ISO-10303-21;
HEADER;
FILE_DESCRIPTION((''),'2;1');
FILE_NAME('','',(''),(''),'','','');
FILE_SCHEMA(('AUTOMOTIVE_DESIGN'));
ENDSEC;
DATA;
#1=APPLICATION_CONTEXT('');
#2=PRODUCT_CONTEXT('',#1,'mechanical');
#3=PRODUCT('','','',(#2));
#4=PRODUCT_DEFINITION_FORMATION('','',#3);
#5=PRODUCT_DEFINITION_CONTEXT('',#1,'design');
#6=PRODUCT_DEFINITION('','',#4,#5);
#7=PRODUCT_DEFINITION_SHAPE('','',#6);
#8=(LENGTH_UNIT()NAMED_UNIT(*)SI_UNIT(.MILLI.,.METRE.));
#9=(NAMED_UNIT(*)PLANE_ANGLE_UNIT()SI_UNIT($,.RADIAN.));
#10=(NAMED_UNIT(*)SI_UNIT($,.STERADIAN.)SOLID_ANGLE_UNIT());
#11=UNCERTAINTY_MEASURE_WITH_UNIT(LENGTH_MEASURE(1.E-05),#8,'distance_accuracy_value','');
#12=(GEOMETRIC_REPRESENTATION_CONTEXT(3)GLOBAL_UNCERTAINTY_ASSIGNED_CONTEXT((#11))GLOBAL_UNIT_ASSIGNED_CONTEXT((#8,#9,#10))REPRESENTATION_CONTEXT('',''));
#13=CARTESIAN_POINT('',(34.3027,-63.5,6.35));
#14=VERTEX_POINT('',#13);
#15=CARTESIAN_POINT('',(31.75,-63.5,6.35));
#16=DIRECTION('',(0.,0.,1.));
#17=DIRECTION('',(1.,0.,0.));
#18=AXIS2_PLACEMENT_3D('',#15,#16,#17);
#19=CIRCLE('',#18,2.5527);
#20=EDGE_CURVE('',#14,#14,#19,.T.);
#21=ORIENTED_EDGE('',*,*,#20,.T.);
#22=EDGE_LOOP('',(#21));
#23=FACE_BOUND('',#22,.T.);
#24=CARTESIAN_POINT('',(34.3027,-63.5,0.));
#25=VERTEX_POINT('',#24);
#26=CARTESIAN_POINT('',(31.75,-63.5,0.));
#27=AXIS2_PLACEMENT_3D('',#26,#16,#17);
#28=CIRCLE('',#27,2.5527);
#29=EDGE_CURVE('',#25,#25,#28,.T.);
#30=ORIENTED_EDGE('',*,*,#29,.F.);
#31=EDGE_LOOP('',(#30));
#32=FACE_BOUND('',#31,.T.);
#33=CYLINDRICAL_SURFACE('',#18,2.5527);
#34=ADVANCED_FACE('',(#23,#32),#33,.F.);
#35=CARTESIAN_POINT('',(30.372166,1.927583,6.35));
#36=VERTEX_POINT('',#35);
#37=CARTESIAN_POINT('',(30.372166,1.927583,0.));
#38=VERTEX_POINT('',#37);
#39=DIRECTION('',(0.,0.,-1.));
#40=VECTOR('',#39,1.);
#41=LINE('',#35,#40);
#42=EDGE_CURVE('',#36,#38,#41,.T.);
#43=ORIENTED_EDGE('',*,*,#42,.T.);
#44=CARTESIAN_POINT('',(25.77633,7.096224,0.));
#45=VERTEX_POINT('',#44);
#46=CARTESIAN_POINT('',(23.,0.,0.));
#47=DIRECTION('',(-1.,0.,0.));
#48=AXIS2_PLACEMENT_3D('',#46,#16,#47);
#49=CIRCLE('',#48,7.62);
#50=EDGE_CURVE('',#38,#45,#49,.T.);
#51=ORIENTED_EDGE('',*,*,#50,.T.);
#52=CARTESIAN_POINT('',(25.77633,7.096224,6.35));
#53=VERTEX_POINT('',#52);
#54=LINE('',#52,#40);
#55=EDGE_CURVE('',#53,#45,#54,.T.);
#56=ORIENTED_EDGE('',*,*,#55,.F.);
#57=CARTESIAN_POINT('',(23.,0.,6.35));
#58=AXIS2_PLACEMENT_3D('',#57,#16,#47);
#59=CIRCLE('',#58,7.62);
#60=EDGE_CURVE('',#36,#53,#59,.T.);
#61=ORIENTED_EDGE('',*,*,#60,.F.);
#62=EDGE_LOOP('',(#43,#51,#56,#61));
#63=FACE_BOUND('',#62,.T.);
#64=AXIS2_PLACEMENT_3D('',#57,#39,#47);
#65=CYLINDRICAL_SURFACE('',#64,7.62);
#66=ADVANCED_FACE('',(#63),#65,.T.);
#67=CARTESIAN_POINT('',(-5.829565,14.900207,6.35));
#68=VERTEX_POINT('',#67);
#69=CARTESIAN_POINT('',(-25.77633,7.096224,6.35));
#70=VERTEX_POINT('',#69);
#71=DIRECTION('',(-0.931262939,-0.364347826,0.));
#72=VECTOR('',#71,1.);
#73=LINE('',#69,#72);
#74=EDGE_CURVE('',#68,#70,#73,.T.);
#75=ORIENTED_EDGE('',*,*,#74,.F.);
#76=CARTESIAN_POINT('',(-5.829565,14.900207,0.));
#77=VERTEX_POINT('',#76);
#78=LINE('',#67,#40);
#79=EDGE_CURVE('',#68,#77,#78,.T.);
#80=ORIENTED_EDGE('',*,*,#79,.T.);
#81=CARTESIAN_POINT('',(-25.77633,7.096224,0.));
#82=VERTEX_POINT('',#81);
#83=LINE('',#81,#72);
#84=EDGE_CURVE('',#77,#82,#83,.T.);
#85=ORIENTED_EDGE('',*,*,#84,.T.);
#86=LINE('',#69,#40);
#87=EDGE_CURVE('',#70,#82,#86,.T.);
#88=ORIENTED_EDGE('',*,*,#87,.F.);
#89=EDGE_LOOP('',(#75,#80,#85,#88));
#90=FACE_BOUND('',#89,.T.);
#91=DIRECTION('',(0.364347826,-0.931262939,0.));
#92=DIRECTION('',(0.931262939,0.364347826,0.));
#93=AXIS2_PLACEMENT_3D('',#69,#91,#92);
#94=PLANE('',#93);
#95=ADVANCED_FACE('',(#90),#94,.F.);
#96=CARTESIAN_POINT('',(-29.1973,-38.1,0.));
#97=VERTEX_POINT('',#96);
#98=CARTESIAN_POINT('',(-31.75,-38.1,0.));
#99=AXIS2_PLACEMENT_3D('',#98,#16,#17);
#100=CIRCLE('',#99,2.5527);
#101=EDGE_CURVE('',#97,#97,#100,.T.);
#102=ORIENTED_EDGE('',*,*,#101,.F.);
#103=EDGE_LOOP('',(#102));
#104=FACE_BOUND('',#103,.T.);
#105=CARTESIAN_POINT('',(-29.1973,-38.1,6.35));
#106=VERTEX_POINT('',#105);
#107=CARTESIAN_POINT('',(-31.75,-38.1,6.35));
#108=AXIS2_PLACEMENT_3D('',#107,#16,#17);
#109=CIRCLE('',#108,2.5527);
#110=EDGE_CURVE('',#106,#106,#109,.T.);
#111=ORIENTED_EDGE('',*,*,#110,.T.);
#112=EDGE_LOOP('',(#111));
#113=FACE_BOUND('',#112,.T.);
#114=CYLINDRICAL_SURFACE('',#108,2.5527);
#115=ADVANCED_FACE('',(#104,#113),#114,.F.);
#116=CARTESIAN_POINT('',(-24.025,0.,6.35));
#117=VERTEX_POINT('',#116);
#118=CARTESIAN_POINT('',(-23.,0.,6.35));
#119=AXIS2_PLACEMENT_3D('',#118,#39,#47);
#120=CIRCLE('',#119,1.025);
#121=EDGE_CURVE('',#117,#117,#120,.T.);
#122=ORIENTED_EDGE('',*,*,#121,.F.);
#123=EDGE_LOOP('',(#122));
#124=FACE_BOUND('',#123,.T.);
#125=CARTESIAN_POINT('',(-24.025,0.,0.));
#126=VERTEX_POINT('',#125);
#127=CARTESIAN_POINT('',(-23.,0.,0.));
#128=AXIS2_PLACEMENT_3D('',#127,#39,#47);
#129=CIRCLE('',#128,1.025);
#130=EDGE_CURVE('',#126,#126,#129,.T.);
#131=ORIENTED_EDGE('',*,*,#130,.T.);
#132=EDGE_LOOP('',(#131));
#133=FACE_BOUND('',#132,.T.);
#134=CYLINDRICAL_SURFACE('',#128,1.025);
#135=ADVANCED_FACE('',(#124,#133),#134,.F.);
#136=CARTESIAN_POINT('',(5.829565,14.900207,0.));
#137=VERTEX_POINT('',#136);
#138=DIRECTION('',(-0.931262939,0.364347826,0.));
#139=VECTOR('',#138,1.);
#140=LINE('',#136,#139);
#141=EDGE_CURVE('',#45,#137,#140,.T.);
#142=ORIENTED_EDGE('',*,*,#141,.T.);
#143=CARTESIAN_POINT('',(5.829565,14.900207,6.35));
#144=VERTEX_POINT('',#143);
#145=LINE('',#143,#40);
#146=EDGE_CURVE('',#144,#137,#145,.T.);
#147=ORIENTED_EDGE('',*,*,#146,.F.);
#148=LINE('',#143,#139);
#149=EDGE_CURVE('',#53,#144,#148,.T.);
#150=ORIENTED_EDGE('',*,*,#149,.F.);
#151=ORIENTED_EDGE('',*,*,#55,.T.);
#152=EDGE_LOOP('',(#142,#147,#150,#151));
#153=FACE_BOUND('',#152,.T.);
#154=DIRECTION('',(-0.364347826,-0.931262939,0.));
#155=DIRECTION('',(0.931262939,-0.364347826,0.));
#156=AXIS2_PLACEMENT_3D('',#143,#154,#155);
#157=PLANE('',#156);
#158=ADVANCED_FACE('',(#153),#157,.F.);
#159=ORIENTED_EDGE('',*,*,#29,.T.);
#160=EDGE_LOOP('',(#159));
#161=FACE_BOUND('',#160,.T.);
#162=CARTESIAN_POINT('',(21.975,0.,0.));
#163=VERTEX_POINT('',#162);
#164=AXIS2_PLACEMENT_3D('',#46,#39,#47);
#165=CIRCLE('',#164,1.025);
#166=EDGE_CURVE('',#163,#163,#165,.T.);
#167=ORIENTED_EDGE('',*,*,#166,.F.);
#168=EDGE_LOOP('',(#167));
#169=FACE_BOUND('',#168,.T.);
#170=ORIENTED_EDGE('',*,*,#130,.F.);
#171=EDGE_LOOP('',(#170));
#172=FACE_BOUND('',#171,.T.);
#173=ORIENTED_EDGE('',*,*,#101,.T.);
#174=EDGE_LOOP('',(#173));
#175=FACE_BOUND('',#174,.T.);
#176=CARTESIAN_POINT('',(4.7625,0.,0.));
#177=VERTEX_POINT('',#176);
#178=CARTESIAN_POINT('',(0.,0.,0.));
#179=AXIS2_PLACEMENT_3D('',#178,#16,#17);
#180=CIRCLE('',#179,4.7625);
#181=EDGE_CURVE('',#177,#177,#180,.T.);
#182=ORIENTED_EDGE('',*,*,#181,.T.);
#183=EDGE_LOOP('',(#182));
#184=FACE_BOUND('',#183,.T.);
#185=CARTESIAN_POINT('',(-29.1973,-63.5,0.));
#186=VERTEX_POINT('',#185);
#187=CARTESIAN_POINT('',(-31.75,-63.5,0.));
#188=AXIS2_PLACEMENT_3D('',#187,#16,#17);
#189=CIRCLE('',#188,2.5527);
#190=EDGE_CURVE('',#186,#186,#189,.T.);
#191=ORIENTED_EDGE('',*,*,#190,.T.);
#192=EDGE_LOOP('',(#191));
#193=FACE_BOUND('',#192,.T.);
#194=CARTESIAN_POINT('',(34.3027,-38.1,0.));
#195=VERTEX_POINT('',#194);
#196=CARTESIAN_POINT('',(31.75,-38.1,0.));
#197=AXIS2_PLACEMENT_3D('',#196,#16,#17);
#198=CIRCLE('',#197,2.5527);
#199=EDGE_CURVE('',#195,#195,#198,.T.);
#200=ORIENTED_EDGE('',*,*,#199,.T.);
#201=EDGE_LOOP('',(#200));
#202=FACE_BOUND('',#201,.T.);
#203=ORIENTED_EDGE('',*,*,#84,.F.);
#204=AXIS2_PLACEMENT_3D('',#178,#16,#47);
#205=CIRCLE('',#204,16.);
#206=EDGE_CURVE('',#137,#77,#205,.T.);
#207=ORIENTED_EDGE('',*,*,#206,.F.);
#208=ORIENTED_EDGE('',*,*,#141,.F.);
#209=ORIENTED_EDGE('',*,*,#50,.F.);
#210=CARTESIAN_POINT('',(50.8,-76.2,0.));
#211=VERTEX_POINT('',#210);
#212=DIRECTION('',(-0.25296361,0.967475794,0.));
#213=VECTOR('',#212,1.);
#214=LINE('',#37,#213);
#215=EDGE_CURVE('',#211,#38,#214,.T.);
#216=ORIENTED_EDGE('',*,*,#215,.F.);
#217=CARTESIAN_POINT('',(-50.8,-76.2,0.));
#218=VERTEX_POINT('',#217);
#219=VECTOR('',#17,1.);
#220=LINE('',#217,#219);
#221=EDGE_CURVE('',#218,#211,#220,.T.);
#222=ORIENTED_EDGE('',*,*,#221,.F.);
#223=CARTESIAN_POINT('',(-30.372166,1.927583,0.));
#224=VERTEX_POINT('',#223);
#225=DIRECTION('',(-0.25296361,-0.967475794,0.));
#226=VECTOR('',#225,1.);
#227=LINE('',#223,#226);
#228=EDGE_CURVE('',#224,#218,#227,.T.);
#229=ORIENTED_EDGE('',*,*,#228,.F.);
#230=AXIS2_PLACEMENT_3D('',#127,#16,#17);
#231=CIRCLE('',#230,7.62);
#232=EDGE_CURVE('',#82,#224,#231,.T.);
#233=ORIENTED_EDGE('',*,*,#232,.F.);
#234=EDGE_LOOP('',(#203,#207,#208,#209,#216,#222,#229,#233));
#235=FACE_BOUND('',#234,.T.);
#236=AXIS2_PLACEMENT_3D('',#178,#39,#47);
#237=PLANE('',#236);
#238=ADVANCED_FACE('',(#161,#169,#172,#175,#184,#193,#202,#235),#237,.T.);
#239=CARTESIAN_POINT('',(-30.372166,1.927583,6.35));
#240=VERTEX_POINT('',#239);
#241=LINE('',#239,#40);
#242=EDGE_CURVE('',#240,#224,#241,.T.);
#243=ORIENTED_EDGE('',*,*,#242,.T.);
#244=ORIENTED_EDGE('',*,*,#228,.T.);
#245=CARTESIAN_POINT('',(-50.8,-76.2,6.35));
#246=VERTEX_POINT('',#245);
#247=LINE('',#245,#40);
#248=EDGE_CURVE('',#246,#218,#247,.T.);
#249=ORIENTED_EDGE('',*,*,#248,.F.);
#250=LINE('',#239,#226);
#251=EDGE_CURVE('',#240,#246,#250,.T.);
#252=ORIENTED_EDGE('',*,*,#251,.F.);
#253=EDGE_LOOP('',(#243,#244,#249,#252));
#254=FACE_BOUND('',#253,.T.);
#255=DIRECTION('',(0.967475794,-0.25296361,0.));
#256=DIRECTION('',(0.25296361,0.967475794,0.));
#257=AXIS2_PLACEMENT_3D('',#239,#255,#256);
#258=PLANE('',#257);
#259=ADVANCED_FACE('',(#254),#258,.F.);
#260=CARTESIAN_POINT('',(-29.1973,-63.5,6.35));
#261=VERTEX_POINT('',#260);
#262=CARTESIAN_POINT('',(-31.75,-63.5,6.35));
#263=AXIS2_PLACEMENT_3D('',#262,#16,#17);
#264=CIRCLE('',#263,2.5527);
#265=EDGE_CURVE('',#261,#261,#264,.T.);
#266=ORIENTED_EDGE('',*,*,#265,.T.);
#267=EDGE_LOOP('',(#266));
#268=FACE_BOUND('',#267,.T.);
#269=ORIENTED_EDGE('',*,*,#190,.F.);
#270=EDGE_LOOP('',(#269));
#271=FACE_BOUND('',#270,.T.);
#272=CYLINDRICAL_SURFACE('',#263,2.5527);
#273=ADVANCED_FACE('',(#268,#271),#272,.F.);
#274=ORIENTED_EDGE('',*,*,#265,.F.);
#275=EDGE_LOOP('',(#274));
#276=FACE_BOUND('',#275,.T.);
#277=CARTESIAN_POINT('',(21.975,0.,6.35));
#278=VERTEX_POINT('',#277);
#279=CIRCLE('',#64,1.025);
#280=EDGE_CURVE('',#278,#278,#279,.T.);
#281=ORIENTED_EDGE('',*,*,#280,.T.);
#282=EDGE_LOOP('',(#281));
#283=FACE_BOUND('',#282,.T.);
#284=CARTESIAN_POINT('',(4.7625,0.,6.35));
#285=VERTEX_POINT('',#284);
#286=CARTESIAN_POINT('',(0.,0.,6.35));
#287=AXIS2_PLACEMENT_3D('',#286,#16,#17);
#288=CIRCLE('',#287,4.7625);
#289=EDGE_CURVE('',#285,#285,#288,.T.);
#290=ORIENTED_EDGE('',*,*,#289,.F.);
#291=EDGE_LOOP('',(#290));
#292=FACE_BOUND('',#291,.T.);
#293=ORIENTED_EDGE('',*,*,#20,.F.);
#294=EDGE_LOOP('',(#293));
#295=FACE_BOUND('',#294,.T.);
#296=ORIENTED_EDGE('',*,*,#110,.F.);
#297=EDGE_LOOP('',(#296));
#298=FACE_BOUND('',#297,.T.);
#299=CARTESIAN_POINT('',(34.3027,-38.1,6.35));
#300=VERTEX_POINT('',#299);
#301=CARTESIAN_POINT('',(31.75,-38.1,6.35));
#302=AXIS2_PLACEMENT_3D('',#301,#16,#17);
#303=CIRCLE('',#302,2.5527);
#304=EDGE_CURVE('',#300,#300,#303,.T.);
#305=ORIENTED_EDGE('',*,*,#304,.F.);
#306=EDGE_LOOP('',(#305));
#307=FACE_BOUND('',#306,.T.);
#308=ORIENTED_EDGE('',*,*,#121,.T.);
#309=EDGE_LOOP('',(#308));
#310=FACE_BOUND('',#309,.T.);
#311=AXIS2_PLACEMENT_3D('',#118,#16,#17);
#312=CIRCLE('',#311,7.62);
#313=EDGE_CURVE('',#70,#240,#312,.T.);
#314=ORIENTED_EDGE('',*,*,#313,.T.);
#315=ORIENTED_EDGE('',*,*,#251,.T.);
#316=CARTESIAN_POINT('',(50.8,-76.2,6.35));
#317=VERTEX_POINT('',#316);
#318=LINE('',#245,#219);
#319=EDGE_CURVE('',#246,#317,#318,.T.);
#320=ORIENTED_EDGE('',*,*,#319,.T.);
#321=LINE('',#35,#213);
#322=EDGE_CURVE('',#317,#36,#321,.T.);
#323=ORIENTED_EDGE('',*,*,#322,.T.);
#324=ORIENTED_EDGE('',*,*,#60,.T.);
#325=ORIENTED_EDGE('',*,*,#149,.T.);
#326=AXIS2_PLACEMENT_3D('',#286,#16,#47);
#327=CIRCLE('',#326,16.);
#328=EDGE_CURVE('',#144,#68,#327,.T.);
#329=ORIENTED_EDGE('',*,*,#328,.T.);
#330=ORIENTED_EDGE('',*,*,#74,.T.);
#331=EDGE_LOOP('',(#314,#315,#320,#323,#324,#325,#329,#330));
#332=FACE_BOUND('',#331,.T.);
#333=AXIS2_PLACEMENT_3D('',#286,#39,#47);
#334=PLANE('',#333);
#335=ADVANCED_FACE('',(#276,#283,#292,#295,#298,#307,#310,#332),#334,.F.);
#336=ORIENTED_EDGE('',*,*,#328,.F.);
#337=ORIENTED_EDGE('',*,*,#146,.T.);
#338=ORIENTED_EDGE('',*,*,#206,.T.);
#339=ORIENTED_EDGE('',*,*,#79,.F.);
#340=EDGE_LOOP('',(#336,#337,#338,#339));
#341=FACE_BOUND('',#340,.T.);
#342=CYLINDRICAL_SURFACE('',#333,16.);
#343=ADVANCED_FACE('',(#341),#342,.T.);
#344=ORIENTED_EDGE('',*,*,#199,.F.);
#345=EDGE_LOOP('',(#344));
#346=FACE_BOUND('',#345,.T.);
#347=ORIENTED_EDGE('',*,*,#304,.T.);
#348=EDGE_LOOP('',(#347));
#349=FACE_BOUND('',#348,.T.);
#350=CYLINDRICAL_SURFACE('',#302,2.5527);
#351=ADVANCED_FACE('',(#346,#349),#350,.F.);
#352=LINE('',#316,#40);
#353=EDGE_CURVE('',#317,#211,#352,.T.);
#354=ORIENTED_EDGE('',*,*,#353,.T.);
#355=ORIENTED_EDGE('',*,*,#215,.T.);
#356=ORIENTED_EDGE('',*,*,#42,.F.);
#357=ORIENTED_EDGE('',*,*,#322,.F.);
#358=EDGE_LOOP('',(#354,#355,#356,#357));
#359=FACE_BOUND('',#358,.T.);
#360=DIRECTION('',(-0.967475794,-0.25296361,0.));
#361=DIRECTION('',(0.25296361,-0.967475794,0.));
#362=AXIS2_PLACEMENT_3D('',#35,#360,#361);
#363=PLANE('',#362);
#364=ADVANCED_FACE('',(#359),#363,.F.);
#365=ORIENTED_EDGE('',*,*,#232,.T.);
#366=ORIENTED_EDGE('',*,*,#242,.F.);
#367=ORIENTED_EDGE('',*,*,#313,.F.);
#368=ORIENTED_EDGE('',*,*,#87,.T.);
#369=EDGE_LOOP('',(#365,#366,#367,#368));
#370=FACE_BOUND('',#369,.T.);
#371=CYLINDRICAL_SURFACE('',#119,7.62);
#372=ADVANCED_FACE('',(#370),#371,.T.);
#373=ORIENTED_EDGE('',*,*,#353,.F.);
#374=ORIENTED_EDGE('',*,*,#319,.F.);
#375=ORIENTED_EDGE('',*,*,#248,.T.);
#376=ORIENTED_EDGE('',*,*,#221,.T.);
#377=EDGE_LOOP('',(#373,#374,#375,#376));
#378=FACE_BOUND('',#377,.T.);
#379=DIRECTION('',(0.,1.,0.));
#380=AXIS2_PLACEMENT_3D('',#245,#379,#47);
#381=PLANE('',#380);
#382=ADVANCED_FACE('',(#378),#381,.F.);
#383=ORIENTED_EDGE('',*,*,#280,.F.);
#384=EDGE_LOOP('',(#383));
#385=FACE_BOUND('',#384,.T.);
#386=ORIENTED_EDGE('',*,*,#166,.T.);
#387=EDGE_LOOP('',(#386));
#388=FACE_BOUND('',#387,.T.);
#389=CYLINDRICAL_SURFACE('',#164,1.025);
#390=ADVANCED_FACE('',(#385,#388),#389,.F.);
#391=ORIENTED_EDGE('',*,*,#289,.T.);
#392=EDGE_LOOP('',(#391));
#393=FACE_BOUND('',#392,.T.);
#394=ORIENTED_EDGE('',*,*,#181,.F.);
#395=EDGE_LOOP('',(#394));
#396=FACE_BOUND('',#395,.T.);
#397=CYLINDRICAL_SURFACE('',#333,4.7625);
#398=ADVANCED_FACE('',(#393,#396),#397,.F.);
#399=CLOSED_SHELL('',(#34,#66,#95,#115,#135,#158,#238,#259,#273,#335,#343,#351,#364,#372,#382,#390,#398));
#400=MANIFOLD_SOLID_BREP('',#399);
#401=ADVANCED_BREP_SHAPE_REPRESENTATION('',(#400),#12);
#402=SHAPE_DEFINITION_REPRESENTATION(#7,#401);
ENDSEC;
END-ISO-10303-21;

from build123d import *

# Parameters (mm, degrees)
SKETCH1_R                = 4.7625
SKETCH1_R_2              = 1.5875
BOSS_EXTRUDE1_DEPTH      = 6.35
M2_5X0_45_TAPPED_HOLE1_D = 2.05
F_1_4_20_TAPPED_HOLE1_D  = 5.1054


with BuildPart() as part:
    # Sketch1 → Boss-Extrude1 (new body)
    with BuildSketch(Plane.XY):
        with BuildLine():
            Line((-25.776330412, 7.096223594), (-5.829565224, 14.900207022))
            ThreePointArc((-5.829565224, 14.900207022), (0, 16), (5.829565224, 14.900207022))
            Line((5.829565224, 14.900207022), (25.776330412, 7.096223594))
            ThreePointArc((25.776330412, 7.096223594), (28.694445061, 5.063367965), (30.372165524, 1.92758271))
            Line((30.372165524, 1.92758271), (50.8, -76.2))
            Line((50.8, -76.2), (-50.8, -76.2))
            Line((-50.8, -76.2), (-30.372165524, 1.92758271))
            ThreePointArc((-30.372165524, 1.92758271), (-28.694445061, 5.063367965), (-25.776330412, 7.096223594))
        make_face()
        Circle(SKETCH1_R, mode=Mode.SUBTRACT)
        with Locations((-31.75, -38.1)):
            Circle(SKETCH1_R_2, mode=Mode.SUBTRACT)
        with Locations((31.75, -38.1)):
            Circle(SKETCH1_R_2, mode=Mode.SUBTRACT)
        with Locations((-31.75, -63.5)):
            Circle(SKETCH1_R_2, mode=Mode.SUBTRACT)
        with Locations((31.75, -63.5)):
            Circle(SKETCH1_R_2, mode=Mode.SUBTRACT)
    extrude(amount=BOSS_EXTRUDE1_DEPTH)

    # M2.5x0.45 Tapped Hole1 (through all)
    with Locations(Plane(origin=(0, 0, 0), x_dir=(-1, 0, 0), z_dir=(0, 0, -1))):
        with Locations((-22.999999974, 0), (22.999999974, 0)):
            Hole(M2_5X0_45_TAPPED_HOLE1_D / 2)

    # 1/4-20 Tapped Hole1 (through all)
    with Locations(Plane.XY.offset(6.35)):
        with Locations((-31.75, -38.1), (-31.75, -63.5), (31.75, -63.5), (31.75, -38.1)):
            Hole(F_1_4_20_TAPPED_HOLE1_D / 2)


solid = part.part
